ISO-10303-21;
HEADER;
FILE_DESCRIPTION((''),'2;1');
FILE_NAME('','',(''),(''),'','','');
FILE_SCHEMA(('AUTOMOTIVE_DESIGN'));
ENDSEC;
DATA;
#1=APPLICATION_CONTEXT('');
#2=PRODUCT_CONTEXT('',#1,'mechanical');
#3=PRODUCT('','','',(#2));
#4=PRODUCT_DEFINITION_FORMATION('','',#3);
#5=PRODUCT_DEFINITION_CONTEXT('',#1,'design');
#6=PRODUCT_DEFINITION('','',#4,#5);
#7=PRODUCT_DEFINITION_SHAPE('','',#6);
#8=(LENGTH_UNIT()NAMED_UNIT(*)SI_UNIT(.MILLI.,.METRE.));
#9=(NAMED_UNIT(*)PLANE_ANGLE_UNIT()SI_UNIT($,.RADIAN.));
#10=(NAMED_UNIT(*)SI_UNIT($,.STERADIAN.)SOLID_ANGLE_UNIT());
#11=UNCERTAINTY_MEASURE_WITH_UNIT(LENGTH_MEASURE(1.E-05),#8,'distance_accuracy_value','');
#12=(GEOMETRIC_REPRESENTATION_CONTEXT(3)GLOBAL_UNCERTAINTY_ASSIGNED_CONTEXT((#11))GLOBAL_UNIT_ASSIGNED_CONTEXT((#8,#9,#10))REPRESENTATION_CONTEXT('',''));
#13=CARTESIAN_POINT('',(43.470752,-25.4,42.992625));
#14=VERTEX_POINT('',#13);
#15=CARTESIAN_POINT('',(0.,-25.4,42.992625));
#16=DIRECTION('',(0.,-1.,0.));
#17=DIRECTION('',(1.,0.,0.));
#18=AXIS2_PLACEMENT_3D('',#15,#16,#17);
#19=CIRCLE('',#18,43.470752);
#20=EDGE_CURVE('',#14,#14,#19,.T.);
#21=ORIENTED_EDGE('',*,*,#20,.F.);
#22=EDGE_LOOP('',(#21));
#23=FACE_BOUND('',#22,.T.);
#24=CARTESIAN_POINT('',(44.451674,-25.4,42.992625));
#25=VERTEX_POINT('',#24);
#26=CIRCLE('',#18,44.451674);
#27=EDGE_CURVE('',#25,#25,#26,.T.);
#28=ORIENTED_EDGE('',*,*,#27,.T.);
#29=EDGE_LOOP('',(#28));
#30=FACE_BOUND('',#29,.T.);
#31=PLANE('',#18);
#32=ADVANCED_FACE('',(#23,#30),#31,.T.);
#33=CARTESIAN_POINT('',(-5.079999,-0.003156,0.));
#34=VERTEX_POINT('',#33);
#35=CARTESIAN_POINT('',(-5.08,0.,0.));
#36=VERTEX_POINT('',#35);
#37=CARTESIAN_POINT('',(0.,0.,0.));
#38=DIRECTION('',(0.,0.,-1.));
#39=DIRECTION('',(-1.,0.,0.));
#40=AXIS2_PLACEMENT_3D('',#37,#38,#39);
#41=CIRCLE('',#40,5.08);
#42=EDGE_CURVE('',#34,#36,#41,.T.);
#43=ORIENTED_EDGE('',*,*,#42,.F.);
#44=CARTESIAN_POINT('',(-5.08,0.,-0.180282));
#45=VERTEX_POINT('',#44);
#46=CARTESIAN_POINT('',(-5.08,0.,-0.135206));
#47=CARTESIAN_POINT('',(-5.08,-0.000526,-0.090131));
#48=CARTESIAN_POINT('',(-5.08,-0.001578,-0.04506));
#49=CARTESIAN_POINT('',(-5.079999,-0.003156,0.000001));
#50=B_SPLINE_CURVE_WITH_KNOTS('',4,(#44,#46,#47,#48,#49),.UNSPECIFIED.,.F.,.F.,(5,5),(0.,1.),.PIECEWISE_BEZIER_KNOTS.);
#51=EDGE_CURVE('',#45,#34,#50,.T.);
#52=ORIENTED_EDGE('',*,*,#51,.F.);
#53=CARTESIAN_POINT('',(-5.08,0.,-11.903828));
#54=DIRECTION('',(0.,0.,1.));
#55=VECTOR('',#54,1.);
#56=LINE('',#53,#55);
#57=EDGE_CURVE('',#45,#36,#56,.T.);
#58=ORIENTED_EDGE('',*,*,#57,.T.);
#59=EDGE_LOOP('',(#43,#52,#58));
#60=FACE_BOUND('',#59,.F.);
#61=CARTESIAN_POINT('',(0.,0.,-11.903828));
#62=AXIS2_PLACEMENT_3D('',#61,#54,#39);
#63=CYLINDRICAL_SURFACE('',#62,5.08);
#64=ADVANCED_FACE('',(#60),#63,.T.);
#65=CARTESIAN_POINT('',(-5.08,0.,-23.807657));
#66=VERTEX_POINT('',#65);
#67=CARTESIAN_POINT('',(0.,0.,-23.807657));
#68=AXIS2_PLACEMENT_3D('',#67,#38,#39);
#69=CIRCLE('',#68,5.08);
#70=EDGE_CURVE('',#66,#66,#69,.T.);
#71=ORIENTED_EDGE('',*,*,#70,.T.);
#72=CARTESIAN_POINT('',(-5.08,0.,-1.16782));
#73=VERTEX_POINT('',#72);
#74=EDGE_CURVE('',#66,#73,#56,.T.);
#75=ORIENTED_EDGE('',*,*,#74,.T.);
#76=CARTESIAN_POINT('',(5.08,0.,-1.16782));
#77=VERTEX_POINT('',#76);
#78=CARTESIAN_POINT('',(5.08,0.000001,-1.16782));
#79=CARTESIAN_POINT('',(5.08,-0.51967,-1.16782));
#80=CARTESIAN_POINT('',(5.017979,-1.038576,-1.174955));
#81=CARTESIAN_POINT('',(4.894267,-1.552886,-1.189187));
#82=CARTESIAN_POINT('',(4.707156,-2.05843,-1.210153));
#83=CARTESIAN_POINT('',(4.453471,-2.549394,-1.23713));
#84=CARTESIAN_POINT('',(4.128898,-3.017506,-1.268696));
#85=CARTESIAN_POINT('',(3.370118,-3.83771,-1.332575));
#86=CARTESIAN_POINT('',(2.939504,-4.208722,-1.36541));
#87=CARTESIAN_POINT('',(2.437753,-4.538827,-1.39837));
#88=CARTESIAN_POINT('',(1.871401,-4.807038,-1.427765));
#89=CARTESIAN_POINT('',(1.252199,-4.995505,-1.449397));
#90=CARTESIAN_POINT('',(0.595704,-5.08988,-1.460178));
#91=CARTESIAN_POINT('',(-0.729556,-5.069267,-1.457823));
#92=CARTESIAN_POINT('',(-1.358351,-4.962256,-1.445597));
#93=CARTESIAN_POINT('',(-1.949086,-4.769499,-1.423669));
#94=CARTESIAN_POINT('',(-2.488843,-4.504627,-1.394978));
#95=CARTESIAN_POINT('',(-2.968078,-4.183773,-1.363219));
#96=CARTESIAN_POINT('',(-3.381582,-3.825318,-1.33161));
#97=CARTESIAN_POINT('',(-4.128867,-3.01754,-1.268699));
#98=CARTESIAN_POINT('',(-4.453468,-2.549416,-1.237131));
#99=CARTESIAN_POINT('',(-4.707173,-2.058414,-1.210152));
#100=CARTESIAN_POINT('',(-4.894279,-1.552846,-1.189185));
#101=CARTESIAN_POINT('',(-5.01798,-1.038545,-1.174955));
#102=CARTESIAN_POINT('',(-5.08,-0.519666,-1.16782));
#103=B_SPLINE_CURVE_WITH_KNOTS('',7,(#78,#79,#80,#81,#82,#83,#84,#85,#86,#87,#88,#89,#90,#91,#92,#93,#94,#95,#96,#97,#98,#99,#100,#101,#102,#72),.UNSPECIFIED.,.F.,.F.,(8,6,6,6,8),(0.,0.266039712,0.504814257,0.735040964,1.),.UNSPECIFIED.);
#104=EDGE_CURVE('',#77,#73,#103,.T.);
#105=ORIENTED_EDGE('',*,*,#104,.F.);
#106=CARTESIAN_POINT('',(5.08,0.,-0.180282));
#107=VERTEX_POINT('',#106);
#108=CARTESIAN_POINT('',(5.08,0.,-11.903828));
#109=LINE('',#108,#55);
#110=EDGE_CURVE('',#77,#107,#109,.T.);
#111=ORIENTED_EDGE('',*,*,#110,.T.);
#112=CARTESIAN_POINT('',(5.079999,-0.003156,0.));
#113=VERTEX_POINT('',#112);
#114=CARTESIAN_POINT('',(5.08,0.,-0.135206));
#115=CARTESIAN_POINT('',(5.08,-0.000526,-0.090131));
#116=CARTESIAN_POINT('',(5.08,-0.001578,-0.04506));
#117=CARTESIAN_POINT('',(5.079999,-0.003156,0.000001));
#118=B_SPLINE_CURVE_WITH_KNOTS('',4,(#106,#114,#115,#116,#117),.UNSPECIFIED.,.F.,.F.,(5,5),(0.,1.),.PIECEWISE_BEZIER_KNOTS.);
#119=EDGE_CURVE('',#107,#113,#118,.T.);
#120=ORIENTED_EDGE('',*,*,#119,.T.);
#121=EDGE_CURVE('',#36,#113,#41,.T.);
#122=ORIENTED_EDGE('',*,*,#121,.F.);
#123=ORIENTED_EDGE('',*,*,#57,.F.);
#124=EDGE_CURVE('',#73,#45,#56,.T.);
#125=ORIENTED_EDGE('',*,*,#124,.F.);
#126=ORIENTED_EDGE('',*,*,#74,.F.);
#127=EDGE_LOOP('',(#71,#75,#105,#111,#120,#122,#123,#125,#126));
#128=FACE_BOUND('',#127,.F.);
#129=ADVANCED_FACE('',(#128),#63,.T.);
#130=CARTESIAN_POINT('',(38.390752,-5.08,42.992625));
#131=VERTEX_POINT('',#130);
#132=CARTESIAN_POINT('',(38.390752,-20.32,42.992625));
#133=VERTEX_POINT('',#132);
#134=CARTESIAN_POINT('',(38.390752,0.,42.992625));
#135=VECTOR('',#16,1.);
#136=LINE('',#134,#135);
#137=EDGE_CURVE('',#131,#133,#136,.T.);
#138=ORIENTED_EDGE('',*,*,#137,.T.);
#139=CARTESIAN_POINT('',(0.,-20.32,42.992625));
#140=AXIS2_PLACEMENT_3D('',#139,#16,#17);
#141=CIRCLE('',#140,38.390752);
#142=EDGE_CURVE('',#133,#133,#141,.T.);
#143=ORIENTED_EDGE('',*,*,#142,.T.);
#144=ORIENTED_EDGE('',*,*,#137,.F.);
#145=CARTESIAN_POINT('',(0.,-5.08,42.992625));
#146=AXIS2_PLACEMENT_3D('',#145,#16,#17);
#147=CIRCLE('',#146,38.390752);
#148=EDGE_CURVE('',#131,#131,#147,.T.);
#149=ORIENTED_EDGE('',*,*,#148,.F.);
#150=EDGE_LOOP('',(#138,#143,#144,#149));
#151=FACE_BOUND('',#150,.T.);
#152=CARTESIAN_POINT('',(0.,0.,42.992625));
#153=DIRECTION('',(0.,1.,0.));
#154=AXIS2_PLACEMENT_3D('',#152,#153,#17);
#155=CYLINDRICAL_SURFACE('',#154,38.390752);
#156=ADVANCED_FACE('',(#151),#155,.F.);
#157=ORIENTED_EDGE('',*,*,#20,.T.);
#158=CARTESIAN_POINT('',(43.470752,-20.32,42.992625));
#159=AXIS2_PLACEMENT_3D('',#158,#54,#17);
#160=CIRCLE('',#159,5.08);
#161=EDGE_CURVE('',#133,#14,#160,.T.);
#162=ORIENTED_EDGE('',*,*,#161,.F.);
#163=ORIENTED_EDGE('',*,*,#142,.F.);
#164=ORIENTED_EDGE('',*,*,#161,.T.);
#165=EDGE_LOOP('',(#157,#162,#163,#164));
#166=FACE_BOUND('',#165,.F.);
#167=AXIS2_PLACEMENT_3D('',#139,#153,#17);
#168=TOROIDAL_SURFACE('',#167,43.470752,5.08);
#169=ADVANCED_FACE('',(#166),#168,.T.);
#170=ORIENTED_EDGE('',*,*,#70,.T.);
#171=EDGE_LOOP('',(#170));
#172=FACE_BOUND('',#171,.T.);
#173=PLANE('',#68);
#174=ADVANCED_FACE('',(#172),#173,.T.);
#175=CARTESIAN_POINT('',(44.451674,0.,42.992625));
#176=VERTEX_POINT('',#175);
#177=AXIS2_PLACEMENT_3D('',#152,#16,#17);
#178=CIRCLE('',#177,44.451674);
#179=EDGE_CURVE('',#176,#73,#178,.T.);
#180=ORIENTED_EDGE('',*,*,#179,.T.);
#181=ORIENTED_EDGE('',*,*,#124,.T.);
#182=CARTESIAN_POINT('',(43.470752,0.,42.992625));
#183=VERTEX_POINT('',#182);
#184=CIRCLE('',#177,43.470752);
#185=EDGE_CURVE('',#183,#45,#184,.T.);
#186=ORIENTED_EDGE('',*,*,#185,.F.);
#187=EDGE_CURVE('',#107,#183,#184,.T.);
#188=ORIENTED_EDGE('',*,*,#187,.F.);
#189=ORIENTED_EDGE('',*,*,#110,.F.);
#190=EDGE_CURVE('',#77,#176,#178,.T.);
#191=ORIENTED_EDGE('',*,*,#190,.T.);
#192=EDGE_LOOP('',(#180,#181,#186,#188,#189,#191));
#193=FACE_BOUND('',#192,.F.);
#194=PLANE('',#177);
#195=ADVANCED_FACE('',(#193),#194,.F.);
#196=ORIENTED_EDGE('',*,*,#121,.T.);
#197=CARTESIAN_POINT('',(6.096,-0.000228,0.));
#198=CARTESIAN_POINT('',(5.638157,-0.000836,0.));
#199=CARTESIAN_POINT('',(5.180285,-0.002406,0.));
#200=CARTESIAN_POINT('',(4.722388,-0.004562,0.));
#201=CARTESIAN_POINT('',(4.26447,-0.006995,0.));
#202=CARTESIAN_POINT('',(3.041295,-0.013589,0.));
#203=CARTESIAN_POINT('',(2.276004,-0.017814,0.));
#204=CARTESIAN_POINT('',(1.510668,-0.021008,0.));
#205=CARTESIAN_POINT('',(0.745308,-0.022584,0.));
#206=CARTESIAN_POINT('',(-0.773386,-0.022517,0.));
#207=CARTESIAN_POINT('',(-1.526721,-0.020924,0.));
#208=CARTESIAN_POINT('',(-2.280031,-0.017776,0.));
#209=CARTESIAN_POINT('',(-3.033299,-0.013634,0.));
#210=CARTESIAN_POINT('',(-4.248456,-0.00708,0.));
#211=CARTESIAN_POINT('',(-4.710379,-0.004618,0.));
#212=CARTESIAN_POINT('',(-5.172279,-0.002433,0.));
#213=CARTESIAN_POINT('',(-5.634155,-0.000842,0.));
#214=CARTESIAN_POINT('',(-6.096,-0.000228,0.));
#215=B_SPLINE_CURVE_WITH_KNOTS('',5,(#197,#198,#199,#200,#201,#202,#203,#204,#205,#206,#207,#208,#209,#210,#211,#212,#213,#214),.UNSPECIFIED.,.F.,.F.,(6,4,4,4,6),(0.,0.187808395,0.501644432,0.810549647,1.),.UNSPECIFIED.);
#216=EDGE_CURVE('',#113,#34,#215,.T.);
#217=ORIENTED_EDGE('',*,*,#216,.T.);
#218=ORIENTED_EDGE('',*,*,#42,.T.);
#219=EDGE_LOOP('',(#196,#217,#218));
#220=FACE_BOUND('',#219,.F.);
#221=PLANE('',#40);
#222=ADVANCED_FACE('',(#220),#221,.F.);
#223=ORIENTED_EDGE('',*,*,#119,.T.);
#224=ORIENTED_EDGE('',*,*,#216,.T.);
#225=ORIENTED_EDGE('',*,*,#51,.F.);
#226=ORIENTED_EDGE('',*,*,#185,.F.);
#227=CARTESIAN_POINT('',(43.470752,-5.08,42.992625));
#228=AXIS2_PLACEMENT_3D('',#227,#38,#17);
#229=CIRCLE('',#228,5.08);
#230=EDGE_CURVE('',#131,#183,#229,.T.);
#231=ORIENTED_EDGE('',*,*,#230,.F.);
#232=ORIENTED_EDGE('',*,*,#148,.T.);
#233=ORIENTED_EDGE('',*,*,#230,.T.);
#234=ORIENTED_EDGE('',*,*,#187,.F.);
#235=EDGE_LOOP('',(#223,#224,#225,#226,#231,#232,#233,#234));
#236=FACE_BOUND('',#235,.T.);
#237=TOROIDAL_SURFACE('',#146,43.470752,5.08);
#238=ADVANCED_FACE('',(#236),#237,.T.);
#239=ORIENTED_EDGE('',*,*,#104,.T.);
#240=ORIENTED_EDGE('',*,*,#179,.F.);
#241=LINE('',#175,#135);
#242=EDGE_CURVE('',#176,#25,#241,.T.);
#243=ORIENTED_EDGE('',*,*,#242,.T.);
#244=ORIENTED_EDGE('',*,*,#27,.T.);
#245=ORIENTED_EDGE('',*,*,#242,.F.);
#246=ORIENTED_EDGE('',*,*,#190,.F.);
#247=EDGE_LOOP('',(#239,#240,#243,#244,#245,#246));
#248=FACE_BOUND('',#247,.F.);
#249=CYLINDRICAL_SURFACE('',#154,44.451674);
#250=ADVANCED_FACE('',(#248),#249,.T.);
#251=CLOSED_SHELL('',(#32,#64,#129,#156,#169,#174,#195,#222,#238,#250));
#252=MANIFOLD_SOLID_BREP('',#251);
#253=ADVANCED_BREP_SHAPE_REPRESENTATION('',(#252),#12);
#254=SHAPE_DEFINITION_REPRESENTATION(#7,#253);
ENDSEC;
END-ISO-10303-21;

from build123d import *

# Parameters (mm, degrees)
F0_R     = 44.451674
F0_R_2   = 38.390752
F1_DEPTH = 25.4
F2_R     = 5.08
F3_W     = 5.08
F3_H     = 23.807657


with BuildPart() as f1:
    # F0 (on Front) → F1 (new body)
    with BuildSketch(Plane.XZ):
        with Locations((0, 42.992625)):
            Circle(F0_R)
        with Locations((0, 42.992625)):
            Circle(F0_R_2, mode=Mode.SUBTRACT)
    extrude(amount=F1_DEPTH)

    # F2
    f2_edges = [f1.edges().sort_by_distance(p)[0] for p in [
        (-38.390752, -25.4, 42.992625),
        (-38.390752, 0, 42.992625),
    ]]
    fillet(f2_edges, radius=F2_R)

    # F3 (on Front) → F4 (revolve)
    with BuildSketch(Plane.XZ):
        with Locations((-2.54, -11.903828)):
            Rectangle(F3_W, F3_H)
    revolve(axis=Axis((0, 0, -11.903828), (0, 0, -1)))


solid = f1.part
